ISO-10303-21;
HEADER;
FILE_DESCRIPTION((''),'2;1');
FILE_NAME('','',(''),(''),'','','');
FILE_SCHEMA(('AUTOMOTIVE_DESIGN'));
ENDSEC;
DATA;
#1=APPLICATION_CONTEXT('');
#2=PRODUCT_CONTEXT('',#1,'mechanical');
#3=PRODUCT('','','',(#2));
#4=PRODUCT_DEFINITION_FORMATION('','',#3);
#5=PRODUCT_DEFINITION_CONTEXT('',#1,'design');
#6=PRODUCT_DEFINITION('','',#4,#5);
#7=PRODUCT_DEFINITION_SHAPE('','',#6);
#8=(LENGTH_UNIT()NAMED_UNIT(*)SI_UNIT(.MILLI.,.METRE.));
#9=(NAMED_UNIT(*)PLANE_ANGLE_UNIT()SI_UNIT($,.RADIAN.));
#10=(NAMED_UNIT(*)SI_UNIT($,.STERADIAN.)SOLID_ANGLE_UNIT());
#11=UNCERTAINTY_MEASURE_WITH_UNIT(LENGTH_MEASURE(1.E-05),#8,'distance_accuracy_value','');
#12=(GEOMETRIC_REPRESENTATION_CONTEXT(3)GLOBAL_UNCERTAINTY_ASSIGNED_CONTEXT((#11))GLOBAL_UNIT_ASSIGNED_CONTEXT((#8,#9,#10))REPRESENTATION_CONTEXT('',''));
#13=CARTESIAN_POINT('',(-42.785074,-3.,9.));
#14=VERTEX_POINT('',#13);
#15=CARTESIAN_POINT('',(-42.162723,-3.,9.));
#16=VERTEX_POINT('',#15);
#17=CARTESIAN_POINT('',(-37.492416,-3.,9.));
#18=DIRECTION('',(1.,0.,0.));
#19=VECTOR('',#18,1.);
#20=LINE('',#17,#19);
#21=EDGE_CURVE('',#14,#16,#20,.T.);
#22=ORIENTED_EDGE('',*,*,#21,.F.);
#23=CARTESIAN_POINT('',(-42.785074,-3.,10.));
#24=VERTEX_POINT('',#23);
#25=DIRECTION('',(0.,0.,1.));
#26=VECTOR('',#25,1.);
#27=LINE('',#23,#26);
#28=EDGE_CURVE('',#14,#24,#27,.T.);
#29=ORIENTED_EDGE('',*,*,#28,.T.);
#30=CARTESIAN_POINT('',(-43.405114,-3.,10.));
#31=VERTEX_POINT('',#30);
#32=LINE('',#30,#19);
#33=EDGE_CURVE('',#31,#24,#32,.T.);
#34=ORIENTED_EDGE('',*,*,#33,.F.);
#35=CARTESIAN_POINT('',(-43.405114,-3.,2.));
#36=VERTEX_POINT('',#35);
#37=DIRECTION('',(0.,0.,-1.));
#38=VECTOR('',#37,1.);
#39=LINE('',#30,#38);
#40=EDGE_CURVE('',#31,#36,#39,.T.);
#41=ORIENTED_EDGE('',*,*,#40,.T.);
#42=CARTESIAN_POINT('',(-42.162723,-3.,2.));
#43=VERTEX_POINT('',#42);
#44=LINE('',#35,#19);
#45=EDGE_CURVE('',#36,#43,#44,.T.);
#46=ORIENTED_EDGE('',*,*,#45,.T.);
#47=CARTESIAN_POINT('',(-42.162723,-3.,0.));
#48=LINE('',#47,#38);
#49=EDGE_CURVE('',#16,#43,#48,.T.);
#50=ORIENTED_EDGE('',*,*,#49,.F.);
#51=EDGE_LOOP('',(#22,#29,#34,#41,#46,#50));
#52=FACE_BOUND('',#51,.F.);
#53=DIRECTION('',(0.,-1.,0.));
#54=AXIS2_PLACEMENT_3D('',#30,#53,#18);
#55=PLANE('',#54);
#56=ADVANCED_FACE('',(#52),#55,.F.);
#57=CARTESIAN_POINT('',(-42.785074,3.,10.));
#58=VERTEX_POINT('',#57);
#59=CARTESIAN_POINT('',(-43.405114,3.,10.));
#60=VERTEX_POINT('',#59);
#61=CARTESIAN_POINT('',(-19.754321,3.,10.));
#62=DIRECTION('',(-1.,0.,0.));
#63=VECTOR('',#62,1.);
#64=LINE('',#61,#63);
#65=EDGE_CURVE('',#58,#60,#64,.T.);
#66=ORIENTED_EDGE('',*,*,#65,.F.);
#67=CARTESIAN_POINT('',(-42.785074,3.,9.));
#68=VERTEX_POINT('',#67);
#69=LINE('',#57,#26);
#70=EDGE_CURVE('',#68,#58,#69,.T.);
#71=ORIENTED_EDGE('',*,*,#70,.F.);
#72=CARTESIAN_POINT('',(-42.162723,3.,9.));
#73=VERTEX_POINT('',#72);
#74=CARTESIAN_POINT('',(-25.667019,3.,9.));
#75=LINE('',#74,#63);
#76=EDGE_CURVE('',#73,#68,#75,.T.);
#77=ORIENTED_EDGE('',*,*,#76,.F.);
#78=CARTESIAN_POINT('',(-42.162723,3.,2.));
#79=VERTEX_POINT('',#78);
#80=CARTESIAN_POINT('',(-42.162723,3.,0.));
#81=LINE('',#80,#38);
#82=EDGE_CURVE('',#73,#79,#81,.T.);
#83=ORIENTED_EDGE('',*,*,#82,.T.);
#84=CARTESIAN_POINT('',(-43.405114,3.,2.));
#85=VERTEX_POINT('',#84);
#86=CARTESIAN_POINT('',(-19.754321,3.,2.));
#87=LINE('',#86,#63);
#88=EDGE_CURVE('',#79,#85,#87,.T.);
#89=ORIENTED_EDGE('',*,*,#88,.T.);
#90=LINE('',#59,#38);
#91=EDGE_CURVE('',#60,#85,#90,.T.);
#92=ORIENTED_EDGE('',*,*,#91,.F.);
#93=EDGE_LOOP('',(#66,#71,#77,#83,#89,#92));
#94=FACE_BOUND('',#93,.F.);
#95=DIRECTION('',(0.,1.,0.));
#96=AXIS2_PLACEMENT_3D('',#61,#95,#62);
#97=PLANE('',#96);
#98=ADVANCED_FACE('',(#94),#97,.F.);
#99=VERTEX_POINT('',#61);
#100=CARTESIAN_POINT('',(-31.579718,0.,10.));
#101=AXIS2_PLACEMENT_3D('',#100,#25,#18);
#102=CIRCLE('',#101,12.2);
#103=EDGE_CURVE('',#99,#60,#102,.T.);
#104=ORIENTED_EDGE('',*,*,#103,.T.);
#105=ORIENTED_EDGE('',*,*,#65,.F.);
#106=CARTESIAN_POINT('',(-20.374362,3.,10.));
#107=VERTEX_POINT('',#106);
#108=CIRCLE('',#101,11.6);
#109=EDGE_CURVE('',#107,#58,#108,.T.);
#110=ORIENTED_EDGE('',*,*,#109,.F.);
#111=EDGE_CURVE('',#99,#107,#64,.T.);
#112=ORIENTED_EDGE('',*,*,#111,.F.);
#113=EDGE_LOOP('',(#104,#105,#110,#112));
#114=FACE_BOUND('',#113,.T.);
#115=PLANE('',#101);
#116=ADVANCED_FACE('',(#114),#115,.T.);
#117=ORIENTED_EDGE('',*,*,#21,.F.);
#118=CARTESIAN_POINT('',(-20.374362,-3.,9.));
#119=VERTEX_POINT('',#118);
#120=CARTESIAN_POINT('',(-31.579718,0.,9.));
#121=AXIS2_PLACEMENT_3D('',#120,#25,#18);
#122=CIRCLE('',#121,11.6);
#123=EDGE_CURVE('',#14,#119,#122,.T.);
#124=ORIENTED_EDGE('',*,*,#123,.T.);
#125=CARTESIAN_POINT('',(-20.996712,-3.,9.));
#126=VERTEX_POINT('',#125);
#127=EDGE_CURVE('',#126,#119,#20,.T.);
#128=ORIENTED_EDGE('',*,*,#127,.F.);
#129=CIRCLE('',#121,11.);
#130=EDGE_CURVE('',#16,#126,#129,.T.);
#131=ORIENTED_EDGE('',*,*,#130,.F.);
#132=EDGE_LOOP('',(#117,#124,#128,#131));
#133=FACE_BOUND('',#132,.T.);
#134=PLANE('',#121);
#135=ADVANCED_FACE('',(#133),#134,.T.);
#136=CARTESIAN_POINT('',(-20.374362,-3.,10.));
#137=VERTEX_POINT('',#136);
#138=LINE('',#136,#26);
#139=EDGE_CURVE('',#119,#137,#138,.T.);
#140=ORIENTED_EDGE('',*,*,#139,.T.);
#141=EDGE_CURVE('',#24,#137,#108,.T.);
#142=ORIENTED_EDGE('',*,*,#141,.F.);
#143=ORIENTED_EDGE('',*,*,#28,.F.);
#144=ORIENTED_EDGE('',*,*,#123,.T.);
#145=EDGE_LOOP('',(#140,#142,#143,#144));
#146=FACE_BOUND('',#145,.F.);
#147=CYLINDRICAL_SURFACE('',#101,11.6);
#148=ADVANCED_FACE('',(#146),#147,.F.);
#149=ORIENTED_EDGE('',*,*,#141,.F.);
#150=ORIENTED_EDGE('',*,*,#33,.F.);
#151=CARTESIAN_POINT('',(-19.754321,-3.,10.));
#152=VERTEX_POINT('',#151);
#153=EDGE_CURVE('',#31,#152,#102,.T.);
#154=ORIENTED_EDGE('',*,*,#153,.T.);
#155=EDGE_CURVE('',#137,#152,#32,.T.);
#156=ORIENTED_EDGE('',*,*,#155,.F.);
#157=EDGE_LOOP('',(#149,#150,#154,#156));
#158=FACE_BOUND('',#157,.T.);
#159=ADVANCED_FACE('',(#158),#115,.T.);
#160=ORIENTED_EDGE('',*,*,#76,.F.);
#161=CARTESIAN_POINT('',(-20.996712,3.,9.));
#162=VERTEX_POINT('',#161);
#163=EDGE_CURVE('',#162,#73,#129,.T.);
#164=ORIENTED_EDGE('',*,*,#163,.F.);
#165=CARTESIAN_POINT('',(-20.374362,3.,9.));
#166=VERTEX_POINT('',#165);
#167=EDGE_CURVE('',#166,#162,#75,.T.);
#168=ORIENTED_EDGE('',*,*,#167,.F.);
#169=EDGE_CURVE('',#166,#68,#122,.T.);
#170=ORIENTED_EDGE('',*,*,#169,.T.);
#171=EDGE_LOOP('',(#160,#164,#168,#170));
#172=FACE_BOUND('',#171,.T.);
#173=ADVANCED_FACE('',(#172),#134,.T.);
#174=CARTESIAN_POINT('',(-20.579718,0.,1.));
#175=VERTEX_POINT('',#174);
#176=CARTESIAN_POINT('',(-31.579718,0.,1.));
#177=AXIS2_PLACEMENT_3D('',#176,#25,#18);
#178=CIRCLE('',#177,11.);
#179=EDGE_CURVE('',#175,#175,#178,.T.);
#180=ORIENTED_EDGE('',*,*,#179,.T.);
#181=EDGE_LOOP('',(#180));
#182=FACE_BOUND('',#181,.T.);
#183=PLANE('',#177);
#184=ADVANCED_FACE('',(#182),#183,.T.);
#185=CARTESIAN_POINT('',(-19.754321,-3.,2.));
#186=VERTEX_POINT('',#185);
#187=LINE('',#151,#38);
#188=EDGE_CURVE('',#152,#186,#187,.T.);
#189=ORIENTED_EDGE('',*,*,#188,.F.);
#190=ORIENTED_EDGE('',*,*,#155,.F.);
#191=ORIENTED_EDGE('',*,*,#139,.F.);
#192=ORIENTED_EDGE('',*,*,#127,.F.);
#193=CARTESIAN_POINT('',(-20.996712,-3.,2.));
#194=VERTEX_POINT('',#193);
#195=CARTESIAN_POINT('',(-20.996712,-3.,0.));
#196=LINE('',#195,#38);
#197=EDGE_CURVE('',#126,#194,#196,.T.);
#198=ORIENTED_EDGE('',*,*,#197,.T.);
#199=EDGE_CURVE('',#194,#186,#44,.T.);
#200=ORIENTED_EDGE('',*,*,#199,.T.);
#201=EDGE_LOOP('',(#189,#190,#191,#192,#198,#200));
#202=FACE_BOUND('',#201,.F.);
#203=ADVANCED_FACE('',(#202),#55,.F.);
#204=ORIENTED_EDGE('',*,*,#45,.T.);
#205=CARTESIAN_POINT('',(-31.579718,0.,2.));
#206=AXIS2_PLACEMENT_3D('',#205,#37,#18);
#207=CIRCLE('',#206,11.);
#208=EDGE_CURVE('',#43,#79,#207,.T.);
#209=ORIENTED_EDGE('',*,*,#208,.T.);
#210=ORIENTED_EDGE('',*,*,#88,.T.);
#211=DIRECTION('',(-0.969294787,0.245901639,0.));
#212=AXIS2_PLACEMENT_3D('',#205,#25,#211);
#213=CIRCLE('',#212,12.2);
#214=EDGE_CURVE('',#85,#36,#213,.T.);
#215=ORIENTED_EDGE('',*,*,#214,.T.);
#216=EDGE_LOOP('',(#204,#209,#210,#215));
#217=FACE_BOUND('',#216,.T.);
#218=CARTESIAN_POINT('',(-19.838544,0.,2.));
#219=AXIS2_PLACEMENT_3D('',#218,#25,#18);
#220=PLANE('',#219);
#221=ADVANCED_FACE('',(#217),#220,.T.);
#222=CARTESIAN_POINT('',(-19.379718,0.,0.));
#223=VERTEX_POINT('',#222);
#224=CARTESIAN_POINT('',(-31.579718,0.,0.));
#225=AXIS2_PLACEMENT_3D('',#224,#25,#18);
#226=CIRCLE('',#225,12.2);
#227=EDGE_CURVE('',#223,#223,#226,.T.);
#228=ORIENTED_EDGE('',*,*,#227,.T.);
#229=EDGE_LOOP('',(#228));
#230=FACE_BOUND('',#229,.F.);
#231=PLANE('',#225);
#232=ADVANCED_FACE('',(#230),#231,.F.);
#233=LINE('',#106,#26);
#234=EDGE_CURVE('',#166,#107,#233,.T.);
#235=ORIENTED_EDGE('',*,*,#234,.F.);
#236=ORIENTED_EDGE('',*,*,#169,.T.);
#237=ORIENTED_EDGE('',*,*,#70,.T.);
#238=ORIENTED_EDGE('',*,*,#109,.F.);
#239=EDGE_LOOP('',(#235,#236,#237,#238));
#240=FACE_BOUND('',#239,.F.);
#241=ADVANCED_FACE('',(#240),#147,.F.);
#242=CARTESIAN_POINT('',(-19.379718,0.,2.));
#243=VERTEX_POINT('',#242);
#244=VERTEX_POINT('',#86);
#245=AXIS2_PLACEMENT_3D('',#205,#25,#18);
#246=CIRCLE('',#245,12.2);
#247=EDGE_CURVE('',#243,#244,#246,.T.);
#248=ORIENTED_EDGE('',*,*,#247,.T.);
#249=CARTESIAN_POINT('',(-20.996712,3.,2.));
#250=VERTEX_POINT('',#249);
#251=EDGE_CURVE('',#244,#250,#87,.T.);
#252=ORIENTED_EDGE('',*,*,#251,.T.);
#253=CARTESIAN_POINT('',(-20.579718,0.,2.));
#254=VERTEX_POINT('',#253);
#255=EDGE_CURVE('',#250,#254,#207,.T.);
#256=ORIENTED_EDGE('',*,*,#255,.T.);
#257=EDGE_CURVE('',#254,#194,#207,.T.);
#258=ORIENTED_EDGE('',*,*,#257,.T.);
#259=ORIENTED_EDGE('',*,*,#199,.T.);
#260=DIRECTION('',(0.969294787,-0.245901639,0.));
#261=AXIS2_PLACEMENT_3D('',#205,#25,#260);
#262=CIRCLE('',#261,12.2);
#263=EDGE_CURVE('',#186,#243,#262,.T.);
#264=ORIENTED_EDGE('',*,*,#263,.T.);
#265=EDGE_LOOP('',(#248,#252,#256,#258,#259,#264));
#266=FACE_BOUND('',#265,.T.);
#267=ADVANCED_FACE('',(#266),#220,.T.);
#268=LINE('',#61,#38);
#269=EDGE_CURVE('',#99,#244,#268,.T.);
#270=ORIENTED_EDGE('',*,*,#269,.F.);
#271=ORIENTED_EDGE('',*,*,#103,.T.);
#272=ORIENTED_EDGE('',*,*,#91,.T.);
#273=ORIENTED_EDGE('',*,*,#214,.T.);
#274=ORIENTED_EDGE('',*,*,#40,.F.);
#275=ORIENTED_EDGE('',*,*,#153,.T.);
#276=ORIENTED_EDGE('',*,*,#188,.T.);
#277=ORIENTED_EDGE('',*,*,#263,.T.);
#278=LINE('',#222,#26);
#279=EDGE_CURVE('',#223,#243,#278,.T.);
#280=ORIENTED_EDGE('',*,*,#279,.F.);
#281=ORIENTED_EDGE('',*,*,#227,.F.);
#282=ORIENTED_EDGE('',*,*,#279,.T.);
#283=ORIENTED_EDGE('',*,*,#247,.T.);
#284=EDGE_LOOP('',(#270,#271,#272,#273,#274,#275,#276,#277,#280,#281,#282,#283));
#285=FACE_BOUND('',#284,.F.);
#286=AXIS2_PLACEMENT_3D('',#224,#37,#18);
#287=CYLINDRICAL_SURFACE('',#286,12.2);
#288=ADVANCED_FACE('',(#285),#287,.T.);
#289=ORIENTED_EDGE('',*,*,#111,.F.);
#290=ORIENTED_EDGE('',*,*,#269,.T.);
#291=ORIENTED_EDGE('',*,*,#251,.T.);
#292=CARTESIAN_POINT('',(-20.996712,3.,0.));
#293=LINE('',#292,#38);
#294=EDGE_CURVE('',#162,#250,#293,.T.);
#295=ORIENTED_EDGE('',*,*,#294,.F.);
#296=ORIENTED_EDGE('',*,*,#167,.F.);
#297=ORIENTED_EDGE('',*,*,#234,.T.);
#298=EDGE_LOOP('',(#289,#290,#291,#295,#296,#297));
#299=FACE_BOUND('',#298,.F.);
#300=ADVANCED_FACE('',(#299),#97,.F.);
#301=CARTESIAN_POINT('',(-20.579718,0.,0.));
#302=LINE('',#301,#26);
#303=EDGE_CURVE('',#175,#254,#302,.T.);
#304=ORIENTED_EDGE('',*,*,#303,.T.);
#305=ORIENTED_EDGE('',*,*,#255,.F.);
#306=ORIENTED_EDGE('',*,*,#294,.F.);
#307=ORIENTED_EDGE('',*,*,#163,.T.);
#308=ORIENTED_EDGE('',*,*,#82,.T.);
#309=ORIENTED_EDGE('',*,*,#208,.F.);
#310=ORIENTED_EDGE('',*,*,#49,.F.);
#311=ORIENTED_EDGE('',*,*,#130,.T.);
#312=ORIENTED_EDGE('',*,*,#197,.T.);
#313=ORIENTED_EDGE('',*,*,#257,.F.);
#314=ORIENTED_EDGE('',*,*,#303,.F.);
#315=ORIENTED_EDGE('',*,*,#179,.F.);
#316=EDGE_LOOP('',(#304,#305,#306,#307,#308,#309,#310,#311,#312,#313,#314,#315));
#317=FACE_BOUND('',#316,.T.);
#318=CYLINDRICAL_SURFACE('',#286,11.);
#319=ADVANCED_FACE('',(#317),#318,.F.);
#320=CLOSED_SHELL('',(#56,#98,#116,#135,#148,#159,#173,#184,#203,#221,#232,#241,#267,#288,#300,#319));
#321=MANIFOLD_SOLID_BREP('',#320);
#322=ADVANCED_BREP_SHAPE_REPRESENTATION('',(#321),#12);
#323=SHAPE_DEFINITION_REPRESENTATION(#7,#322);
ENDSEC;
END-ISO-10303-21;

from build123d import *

# Parameters (mm, degrees)
F0_R     = 11
F1_DEPTH = 1
F0_R_2   = 12.2
F2_DEPTH = 10
F3_R     = 11.6
F3_R_2   = 11
F4_DEPTH = 1
F6_DEPTH = 8


with BuildPart() as f1:
    # F0 (on Top) → F1 (new body)
    with BuildSketch(Plane.XY):
        with Locations((-31.5797176751, 0)):
            Circle(F0_R)
    extrude(amount=F1_DEPTH)

    # F0 (on Top) → F2 (join)
    with BuildSketch(Plane.XY):
        with Locations((-31.5797176751, 0)):
            Circle(F0_R_2)
        with Locations((-31.5797176751, 0)):
            Circle(F0_R, mode=Mode.SUBTRACT)
    extrude(amount=F2_DEPTH)

    # F3 (on face) → F4 (cut)
    with BuildSketch(Plane.XY.offset(10)):
        with Locations((-31.5797176751, 0)):
            Circle(F3_R)
        with Locations((-31.5797176751, 0)):
            Circle(F3_R_2, mode=Mode.SUBTRACT)
    extrude(amount=-F4_DEPTH, mode=Mode.SUBTRACT)

    # F5 (on face) → F6 (cut)
    with BuildSketch(Plane.XY.offset(10)):
        with BuildLine():
            ThreePointArc((-19.3797176751, 0), (-19.4737308076, 1.511648757), (-19.7543212758, 3))
            Line((-19.7543212758, 3), (-20.3743618128, 3))
            ThreePointArc((-20.3743618128, 3), (-20.0788018854, 1.5129229983), (-19.9797176751, 0))
            ThreePointArc((-19.9797176751, 0), (-20.0788018854, -1.5129229983), (-20.3743618128, -3))
            Line((-20.3743618128, -3), (-19.7543212758, -3))
            ThreePointArc((-19.7543212758, -3), (-19.4737308076, -1.511648757), (-19.3797176751, 0))
        make_face()
        with BuildLine():
            Line((-20.3743618128, 3), (-42.7850735373, 3))
            ThreePointArc((-42.7850735373, 3), (-43.1797176751, 0), (-42.7850735373, -3))
            Line((-42.7850735373, -3), (-20.3743618128, -3))
            ThreePointArc((-20.3743618128, -3), (-20.0788018854, -1.5129229983), (-19.9797176751, 0))
            ThreePointArc((-19.9797176751, 0), (-20.0788018854, 1.5129229983), (-20.3743618128, 3))
        make_face()
        with BuildLine():
            Line((-42.7850735373, 3), (-43.4051140743, 3))
            ThreePointArc((-43.4051140743, 3), (-43.7797176751, 0), (-43.4051140743, -3))
            Line((-43.4051140743, -3), (-42.7850735373, -3))
            ThreePointArc((-42.7850735373, -3), (-43.1797176751, 0), (-42.7850735373, 3))
        make_face()
    extrude(amount=-F6_DEPTH, mode=Mode.SUBTRACT)


solid = f1.part
